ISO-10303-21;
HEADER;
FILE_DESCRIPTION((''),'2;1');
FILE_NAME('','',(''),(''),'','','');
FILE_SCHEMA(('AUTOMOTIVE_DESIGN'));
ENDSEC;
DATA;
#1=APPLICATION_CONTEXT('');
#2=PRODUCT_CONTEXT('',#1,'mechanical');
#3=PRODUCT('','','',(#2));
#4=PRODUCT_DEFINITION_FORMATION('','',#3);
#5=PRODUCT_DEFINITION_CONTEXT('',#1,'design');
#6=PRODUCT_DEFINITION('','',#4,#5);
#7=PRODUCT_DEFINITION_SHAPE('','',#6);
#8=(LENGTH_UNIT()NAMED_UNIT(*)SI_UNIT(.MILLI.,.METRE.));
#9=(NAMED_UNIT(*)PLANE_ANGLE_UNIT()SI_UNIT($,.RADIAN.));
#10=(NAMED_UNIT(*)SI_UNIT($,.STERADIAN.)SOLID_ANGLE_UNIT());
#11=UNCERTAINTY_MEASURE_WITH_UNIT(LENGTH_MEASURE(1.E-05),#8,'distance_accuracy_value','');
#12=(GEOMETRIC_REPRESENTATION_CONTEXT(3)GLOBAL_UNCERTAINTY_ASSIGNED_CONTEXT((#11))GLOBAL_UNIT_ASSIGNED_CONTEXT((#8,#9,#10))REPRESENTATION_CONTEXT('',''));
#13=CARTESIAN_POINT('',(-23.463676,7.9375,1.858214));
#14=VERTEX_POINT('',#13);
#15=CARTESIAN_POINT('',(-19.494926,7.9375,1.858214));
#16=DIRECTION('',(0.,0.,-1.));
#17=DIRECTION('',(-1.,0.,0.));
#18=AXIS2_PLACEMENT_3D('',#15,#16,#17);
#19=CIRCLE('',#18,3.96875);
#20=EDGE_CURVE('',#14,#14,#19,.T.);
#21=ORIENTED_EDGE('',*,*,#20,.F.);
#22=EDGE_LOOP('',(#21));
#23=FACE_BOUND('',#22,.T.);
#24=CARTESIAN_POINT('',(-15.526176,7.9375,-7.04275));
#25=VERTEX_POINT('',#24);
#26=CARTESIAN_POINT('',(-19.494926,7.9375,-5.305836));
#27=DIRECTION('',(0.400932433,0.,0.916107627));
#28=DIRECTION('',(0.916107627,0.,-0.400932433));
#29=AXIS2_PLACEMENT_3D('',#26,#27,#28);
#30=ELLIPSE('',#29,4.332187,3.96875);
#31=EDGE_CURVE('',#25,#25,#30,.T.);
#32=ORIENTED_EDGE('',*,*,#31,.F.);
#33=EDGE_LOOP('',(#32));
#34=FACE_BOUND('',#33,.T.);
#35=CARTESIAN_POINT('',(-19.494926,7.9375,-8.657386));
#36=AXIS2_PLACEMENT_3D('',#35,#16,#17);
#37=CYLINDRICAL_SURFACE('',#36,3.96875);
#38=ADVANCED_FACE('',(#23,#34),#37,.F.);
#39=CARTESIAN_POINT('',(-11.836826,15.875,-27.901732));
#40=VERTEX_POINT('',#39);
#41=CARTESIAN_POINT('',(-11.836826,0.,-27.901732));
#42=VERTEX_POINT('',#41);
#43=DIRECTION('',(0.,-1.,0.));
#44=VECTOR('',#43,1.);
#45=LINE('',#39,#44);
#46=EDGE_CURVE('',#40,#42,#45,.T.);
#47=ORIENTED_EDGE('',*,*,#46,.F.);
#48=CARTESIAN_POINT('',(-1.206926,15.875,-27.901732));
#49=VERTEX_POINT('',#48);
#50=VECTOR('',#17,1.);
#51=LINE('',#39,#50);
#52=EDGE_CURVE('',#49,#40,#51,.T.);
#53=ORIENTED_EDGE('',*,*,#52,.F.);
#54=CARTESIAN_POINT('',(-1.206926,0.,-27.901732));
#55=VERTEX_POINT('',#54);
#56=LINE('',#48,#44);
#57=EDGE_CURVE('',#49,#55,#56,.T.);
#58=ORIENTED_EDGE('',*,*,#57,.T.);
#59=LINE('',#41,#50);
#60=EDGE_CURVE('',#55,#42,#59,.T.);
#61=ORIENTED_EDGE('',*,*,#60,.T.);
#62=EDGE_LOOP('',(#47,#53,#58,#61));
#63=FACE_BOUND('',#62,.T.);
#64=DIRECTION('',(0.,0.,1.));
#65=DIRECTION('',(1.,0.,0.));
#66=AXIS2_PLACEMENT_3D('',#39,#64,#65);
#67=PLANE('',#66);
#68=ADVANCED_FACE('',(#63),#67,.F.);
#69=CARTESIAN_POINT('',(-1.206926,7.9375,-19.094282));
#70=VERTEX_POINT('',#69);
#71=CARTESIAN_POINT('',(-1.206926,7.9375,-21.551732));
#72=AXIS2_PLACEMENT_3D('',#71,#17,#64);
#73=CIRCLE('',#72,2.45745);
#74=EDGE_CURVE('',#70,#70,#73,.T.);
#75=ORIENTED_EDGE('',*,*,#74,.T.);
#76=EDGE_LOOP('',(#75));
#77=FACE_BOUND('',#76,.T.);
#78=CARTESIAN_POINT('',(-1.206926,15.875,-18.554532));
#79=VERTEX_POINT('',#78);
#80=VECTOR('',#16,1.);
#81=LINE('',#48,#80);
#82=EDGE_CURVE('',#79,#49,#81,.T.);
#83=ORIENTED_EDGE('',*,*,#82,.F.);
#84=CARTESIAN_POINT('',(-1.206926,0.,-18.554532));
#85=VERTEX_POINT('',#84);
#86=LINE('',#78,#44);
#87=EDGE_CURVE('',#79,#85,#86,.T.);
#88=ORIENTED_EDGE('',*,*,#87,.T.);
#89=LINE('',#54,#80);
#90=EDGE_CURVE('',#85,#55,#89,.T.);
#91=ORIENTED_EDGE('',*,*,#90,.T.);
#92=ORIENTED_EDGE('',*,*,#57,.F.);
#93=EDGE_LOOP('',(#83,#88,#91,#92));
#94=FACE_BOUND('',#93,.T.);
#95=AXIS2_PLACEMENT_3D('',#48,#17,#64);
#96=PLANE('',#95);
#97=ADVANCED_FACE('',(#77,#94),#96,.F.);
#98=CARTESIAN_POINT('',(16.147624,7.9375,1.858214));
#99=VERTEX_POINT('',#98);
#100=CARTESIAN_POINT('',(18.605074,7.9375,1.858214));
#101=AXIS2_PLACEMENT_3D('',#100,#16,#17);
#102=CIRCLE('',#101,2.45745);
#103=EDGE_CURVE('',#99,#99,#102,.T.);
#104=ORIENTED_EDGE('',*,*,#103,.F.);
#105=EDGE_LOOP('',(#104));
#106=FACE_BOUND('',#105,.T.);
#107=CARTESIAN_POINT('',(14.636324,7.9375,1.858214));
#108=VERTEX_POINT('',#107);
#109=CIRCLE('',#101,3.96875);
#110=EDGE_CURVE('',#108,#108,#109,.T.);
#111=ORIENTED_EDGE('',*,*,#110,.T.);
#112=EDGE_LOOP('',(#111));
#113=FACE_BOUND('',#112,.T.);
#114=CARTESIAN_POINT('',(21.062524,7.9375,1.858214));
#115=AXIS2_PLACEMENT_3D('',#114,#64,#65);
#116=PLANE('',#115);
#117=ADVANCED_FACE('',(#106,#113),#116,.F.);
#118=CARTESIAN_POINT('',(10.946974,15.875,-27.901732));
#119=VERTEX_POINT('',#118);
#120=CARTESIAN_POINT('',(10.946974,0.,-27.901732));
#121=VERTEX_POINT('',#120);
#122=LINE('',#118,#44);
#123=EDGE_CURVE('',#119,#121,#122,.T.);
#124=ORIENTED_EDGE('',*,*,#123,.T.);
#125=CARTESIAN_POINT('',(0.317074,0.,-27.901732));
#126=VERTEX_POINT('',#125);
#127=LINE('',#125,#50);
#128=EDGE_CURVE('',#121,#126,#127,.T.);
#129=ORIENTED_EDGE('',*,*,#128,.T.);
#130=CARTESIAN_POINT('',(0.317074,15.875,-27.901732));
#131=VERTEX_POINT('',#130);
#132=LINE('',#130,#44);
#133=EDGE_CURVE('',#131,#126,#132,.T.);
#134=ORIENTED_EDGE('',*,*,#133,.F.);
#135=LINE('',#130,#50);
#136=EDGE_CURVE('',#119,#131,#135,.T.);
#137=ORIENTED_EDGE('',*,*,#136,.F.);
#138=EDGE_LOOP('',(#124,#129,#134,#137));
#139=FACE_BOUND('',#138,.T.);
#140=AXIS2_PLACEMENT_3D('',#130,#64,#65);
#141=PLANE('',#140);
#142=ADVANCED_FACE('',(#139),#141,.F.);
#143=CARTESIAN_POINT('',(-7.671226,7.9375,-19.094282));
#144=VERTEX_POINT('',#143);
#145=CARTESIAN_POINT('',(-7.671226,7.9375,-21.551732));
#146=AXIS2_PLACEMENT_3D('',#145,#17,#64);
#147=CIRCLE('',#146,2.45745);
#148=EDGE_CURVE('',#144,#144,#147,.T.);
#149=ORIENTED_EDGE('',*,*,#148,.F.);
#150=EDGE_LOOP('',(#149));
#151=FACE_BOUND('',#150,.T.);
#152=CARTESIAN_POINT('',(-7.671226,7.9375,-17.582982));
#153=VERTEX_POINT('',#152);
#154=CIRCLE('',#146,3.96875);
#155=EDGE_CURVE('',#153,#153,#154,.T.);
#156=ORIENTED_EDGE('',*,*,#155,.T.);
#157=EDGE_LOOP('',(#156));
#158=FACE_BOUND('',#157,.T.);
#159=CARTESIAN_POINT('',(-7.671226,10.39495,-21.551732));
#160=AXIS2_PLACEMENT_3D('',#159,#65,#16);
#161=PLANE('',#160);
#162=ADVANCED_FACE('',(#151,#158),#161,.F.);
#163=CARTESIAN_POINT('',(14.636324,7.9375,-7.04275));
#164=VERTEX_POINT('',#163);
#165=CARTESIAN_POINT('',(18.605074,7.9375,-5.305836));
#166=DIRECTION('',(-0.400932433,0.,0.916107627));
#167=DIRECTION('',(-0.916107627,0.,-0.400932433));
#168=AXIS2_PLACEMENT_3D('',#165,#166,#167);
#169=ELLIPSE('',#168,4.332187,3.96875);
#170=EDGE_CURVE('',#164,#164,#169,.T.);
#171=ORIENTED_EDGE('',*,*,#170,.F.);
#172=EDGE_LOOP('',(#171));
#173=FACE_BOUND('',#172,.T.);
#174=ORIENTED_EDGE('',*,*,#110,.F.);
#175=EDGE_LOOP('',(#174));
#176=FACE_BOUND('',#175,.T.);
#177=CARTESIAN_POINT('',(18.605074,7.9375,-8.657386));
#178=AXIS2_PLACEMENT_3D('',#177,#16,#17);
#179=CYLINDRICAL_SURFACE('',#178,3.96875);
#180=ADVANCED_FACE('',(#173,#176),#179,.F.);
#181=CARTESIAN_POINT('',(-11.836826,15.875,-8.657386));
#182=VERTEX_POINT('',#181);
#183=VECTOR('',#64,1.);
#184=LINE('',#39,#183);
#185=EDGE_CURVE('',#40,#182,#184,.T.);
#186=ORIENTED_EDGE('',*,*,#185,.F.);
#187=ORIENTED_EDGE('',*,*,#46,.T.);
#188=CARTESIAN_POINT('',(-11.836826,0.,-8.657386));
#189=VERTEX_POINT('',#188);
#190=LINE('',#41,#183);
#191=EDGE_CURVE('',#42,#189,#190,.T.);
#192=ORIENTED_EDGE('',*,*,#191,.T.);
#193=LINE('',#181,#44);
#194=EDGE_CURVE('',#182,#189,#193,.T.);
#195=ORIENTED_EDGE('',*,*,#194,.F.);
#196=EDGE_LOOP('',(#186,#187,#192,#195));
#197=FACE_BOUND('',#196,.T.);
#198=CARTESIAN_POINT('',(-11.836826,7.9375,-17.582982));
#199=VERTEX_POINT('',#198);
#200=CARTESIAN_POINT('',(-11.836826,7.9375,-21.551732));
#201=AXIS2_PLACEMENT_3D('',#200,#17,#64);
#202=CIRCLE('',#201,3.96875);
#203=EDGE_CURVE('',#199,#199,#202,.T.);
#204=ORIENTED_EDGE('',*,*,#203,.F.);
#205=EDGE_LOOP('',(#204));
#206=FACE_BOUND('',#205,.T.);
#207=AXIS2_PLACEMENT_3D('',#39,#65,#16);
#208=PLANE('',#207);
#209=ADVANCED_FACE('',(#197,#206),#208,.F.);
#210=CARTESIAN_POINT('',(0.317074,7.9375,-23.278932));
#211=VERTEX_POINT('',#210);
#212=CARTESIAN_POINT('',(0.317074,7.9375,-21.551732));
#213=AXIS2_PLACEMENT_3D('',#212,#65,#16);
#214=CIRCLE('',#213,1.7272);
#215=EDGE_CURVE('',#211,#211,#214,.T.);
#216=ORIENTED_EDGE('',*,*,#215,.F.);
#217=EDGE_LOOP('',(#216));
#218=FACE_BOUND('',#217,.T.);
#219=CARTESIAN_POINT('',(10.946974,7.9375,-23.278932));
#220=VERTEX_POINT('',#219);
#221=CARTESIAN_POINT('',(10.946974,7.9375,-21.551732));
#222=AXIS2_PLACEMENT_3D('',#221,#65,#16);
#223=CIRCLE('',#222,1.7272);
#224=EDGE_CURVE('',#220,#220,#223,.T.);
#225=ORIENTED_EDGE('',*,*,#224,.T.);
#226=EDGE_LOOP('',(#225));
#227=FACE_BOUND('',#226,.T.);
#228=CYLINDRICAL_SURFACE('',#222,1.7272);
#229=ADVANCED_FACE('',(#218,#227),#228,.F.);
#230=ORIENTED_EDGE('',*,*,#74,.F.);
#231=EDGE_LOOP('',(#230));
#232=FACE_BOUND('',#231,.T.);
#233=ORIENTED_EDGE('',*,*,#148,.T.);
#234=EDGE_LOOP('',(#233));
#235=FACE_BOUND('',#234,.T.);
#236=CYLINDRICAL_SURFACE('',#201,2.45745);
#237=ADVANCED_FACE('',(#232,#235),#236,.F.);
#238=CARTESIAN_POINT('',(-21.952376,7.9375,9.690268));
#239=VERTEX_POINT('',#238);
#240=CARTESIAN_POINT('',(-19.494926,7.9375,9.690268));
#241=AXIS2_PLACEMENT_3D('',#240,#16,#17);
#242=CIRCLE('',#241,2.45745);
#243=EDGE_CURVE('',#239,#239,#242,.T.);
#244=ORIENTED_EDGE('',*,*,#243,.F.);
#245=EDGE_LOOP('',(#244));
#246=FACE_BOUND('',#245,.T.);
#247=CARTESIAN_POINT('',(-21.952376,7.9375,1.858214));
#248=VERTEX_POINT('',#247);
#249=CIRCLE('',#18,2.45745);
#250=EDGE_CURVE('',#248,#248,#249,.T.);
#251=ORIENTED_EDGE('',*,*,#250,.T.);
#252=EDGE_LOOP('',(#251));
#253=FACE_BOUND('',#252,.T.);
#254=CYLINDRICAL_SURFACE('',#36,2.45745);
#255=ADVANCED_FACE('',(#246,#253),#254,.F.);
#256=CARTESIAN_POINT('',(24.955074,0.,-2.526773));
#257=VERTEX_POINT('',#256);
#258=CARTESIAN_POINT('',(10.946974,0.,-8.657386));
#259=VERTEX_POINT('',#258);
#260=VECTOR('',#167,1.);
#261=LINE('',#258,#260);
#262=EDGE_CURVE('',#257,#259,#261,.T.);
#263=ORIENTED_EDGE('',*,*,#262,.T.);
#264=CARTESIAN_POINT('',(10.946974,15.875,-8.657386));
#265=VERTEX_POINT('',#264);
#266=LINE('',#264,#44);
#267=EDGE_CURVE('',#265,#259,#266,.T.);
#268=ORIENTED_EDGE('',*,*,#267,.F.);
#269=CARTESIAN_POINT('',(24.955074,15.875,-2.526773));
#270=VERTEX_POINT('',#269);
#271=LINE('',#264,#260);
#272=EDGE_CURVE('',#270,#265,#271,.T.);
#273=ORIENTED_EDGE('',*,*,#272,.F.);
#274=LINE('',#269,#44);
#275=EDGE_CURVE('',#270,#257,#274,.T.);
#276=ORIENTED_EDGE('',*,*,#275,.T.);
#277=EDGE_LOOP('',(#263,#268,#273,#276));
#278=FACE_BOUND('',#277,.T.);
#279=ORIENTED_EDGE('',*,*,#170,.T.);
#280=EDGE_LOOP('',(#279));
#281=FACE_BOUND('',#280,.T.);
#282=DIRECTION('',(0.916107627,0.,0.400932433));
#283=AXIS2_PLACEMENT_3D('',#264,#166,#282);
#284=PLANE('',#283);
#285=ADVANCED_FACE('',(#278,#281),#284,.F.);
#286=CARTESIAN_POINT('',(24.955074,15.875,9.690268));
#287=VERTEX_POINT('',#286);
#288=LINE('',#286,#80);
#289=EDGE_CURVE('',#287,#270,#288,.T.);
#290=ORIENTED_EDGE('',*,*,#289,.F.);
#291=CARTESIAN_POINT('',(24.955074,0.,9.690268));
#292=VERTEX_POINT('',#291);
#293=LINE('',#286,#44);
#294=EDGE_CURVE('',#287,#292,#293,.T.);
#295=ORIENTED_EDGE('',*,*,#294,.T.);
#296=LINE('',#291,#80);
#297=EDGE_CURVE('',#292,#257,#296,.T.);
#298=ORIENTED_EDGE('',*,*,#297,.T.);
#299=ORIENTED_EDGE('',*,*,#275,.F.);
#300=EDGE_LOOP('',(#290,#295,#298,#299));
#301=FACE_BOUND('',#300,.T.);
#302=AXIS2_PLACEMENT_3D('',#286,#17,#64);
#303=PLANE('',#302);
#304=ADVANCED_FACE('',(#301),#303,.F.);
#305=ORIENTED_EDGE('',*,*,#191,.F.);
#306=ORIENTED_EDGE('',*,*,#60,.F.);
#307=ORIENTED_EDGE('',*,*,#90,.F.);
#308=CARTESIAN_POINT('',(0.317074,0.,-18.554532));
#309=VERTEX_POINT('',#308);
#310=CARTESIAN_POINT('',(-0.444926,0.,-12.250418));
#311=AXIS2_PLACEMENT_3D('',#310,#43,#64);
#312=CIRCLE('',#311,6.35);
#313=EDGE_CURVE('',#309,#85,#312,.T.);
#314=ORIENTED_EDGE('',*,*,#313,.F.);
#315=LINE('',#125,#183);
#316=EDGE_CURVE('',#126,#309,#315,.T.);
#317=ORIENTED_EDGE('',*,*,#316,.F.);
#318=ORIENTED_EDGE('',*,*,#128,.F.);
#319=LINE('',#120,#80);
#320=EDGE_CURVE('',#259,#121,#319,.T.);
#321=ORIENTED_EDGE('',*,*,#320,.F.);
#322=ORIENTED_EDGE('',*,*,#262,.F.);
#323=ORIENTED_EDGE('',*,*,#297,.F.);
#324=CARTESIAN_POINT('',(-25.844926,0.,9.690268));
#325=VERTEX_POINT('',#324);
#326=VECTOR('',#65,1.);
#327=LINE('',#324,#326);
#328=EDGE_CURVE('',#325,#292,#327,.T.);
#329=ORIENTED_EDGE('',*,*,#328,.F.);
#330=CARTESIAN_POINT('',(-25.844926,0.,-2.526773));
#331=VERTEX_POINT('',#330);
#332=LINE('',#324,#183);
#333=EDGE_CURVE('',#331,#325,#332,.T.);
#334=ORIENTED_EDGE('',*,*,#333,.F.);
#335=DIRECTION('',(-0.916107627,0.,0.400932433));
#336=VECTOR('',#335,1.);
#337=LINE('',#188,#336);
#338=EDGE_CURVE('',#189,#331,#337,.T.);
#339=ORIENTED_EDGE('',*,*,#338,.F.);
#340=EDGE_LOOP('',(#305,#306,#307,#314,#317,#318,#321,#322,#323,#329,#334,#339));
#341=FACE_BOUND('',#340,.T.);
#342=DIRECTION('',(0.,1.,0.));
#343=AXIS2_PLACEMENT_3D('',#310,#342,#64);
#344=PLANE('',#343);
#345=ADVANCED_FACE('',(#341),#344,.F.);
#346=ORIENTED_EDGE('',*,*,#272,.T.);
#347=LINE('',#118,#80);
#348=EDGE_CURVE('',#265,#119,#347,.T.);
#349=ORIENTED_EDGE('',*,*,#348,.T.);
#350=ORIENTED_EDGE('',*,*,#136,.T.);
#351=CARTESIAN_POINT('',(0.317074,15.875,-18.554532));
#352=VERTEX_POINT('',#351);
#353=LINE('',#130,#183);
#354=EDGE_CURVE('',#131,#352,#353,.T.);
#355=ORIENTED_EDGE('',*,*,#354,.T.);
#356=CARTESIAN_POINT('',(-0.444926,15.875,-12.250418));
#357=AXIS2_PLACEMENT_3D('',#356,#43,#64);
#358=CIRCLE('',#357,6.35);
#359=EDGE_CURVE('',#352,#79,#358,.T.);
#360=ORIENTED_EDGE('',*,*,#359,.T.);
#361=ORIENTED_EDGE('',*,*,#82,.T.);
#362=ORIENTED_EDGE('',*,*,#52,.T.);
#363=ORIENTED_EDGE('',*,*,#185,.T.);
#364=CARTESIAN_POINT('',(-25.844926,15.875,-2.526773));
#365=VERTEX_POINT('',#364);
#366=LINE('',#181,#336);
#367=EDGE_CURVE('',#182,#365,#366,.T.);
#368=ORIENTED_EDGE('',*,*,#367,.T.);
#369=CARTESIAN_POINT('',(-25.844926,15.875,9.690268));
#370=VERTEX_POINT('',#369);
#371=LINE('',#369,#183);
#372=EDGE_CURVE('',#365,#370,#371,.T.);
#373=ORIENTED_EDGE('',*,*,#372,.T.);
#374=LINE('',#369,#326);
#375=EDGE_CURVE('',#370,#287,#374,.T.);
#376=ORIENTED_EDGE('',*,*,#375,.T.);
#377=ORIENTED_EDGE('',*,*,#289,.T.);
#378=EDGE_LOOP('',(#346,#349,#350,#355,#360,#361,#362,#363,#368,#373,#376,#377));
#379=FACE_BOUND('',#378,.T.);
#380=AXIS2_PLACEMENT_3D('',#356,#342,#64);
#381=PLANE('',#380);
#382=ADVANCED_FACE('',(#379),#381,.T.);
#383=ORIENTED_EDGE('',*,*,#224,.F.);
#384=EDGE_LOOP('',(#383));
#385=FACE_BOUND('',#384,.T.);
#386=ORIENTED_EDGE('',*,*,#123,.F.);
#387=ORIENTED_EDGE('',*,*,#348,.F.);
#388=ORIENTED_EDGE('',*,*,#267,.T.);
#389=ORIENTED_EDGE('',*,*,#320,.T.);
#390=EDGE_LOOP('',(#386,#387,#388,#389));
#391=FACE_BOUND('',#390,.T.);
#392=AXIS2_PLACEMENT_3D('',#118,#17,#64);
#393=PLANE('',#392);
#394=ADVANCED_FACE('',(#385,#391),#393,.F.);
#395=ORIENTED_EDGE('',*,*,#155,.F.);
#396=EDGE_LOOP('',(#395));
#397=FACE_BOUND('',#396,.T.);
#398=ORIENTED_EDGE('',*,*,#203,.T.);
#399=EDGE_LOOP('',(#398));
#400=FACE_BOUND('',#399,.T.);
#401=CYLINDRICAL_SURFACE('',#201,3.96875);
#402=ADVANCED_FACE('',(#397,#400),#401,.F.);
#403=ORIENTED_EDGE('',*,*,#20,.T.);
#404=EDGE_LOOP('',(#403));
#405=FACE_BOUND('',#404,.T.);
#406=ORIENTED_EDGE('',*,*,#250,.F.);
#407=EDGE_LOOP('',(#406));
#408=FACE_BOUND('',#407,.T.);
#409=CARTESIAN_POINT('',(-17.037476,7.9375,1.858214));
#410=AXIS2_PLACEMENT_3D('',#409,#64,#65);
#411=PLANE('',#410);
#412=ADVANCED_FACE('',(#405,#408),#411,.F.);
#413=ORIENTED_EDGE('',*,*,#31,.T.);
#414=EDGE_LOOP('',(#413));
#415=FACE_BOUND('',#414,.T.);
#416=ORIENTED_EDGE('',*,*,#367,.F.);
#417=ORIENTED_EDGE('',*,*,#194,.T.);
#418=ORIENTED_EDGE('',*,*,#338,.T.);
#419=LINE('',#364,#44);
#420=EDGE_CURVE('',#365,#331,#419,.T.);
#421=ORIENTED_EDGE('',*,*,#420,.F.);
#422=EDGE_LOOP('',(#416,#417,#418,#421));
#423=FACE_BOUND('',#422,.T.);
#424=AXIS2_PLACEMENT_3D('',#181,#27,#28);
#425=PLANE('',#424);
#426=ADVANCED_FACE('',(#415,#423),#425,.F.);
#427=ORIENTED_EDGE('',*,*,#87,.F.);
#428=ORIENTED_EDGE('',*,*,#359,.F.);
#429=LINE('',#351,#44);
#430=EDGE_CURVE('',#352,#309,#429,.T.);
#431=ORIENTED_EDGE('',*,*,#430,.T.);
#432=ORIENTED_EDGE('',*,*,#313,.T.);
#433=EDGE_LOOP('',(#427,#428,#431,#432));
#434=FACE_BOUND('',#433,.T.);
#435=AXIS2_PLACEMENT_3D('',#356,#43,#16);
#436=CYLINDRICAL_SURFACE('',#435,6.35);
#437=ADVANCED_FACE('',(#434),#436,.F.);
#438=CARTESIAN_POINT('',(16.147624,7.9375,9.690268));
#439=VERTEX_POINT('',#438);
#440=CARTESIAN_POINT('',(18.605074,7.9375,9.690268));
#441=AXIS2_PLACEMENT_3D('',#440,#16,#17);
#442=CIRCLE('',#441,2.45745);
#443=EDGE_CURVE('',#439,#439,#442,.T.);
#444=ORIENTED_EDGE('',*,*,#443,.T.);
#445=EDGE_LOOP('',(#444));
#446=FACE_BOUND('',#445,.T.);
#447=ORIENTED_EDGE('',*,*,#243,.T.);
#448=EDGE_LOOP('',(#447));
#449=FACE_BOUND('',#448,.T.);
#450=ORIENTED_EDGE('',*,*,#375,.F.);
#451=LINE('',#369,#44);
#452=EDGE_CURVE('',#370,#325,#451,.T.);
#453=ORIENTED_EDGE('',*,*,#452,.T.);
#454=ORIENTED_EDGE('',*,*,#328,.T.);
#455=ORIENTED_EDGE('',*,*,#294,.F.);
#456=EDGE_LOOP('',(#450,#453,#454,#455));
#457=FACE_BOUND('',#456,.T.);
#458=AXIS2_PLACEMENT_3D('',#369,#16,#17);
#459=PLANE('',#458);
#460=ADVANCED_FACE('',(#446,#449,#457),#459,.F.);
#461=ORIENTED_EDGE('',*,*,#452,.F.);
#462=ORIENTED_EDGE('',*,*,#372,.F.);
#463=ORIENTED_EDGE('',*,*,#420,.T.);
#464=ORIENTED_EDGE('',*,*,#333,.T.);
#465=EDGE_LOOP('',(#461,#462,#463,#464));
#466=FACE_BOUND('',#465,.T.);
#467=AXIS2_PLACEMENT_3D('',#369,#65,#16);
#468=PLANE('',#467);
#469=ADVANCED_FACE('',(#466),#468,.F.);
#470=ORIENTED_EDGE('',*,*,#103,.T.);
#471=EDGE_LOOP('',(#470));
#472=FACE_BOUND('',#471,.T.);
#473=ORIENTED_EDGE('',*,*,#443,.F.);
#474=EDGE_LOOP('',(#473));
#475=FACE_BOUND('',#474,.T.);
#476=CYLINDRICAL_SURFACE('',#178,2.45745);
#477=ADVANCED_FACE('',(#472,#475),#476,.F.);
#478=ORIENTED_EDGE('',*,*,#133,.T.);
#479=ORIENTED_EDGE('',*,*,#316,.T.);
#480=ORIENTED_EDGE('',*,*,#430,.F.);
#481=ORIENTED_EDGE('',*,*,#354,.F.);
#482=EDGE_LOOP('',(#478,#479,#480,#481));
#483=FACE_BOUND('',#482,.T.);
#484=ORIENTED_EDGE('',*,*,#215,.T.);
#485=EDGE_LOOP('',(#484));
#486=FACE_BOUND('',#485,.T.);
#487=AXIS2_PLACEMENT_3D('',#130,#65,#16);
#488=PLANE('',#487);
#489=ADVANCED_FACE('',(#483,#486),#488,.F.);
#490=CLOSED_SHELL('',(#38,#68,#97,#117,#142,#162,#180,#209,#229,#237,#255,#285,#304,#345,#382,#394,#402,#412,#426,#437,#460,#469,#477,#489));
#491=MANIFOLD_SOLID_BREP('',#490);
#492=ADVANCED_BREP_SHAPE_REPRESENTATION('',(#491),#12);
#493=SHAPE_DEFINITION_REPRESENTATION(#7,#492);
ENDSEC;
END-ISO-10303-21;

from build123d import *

# Parameters (mm, degrees)
BOSS_EXTRUDE1_DEPTH                            = 15.875
F_8_32_TAPPED_HOLE1_D                          = 3.4544
F_8_32_TAPPED_HOLE1_DEPTH                      = 10.6299
CBORE_FOR_8_SOCKET_HEAD_CAP_SCREW1_D           = 4.9149
CBORE_FOR_8_SOCKET_HEAD_CAP_SCREW1_DEPTH       = 10.6299
CBORE_FOR_8_SOCKET_HEAD_CAP_SCREW1_CBORE_D     = 7.9375
CBORE_FOR_8_SOCKET_HEAD_CAP_SCREW1_CBORE_DEPTH = 4.1656
CBORE_FOR_8_SOCKET_HEAD_CAP_SCREW2_D           = 4.9149
CBORE_FOR_8_SOCKET_HEAD_CAP_SCREW2_CBORE_D     = 7.9375
CBORE_FOR_8_SOCKET_HEAD_CAP_SCREW2_CBORE_DEPTH = 10.5156


with BuildPart() as part:
    # Sketch1 → Boss-Extrude1 (new body)
    with BuildSketch(Plane(origin=(0, 0, 0), x_dir=(1, 0, 0), z_dir=(0, 1, 0))):
        with BuildLine():
            Line((-11.836826281, 27.901732418), (-1.206926281, 27.901732418))
            Line((-1.206926281, 27.901732418), (-1.206926281, 18.554532418))
            ThreePointArc((-1.206926281, 18.554532418), (-0.444926281, 5.900418206), (0.317073719, 18.554532418))
            Line((0.317073719, 18.554532418), (0.317073719, 27.901732418))
            Line((0.317073719, 27.901732418), (10.946973719, 27.901732418))
            Line((10.946973719, 27.901732418), (10.946973719, 8.657386186))
            Line((10.946973719, 8.657386186), (24.955073719, 2.526772877))
            Line((24.955073719, 2.526772877), (24.955073719, -9.690267582))
            Line((24.955073719, -9.690267582), (-25.844926281, -9.690267582))
            Line((-25.844926281, -9.690267582), (-25.844926281, 2.526772877))
            Line((-25.844926281, 2.526772877), (-11.836826281, 8.657386186))
            Line((-11.836826281, 8.657386186), (-11.836826281, 27.901732418))
        make_face()
    extrude(amount=BOSS_EXTRUDE1_DEPTH)

    # #8-32 Tapped Hole1
    with Locations(Plane(origin=(10.946973719, 0, 0), x_dir=(0, 0, -1), z_dir=(1, 0, 0))):
        with Locations((21.551732418, 7.9375)):
            Hole(F_8_32_TAPPED_HOLE1_D / 2, depth=F_8_32_TAPPED_HOLE1_DEPTH)

    # CBORE for #8 Socket Head Cap Screw1
    with Locations(Plane.ZY.offset(11.836826281)):
        with Locations((-21.551732418, 7.9375)):
            CounterBoreHole(CBORE_FOR_8_SOCKET_HEAD_CAP_SCREW1_D / 2, CBORE_FOR_8_SOCKET_HEAD_CAP_SCREW1_CBORE_D / 2, CBORE_FOR_8_SOCKET_HEAD_CAP_SCREW1_CBORE_DEPTH, depth=CBORE_FOR_8_SOCKET_HEAD_CAP_SCREW1_DEPTH)

    # CBORE for #8 Socket Head Cap Screw2 (through all)
    with Locations(Plane(origin=(0, 0, -8.657386186), x_dir=(1, 0, 0), z_dir=(0, 0, -1))):
        with Locations((18.605073719, -7.9375), (-19.494926281, -7.9375)):
            CounterBoreHole(CBORE_FOR_8_SOCKET_HEAD_CAP_SCREW2_D / 2, CBORE_FOR_8_SOCKET_HEAD_CAP_SCREW2_CBORE_D / 2, CBORE_FOR_8_SOCKET_HEAD_CAP_SCREW2_CBORE_DEPTH)


solid = part.part
